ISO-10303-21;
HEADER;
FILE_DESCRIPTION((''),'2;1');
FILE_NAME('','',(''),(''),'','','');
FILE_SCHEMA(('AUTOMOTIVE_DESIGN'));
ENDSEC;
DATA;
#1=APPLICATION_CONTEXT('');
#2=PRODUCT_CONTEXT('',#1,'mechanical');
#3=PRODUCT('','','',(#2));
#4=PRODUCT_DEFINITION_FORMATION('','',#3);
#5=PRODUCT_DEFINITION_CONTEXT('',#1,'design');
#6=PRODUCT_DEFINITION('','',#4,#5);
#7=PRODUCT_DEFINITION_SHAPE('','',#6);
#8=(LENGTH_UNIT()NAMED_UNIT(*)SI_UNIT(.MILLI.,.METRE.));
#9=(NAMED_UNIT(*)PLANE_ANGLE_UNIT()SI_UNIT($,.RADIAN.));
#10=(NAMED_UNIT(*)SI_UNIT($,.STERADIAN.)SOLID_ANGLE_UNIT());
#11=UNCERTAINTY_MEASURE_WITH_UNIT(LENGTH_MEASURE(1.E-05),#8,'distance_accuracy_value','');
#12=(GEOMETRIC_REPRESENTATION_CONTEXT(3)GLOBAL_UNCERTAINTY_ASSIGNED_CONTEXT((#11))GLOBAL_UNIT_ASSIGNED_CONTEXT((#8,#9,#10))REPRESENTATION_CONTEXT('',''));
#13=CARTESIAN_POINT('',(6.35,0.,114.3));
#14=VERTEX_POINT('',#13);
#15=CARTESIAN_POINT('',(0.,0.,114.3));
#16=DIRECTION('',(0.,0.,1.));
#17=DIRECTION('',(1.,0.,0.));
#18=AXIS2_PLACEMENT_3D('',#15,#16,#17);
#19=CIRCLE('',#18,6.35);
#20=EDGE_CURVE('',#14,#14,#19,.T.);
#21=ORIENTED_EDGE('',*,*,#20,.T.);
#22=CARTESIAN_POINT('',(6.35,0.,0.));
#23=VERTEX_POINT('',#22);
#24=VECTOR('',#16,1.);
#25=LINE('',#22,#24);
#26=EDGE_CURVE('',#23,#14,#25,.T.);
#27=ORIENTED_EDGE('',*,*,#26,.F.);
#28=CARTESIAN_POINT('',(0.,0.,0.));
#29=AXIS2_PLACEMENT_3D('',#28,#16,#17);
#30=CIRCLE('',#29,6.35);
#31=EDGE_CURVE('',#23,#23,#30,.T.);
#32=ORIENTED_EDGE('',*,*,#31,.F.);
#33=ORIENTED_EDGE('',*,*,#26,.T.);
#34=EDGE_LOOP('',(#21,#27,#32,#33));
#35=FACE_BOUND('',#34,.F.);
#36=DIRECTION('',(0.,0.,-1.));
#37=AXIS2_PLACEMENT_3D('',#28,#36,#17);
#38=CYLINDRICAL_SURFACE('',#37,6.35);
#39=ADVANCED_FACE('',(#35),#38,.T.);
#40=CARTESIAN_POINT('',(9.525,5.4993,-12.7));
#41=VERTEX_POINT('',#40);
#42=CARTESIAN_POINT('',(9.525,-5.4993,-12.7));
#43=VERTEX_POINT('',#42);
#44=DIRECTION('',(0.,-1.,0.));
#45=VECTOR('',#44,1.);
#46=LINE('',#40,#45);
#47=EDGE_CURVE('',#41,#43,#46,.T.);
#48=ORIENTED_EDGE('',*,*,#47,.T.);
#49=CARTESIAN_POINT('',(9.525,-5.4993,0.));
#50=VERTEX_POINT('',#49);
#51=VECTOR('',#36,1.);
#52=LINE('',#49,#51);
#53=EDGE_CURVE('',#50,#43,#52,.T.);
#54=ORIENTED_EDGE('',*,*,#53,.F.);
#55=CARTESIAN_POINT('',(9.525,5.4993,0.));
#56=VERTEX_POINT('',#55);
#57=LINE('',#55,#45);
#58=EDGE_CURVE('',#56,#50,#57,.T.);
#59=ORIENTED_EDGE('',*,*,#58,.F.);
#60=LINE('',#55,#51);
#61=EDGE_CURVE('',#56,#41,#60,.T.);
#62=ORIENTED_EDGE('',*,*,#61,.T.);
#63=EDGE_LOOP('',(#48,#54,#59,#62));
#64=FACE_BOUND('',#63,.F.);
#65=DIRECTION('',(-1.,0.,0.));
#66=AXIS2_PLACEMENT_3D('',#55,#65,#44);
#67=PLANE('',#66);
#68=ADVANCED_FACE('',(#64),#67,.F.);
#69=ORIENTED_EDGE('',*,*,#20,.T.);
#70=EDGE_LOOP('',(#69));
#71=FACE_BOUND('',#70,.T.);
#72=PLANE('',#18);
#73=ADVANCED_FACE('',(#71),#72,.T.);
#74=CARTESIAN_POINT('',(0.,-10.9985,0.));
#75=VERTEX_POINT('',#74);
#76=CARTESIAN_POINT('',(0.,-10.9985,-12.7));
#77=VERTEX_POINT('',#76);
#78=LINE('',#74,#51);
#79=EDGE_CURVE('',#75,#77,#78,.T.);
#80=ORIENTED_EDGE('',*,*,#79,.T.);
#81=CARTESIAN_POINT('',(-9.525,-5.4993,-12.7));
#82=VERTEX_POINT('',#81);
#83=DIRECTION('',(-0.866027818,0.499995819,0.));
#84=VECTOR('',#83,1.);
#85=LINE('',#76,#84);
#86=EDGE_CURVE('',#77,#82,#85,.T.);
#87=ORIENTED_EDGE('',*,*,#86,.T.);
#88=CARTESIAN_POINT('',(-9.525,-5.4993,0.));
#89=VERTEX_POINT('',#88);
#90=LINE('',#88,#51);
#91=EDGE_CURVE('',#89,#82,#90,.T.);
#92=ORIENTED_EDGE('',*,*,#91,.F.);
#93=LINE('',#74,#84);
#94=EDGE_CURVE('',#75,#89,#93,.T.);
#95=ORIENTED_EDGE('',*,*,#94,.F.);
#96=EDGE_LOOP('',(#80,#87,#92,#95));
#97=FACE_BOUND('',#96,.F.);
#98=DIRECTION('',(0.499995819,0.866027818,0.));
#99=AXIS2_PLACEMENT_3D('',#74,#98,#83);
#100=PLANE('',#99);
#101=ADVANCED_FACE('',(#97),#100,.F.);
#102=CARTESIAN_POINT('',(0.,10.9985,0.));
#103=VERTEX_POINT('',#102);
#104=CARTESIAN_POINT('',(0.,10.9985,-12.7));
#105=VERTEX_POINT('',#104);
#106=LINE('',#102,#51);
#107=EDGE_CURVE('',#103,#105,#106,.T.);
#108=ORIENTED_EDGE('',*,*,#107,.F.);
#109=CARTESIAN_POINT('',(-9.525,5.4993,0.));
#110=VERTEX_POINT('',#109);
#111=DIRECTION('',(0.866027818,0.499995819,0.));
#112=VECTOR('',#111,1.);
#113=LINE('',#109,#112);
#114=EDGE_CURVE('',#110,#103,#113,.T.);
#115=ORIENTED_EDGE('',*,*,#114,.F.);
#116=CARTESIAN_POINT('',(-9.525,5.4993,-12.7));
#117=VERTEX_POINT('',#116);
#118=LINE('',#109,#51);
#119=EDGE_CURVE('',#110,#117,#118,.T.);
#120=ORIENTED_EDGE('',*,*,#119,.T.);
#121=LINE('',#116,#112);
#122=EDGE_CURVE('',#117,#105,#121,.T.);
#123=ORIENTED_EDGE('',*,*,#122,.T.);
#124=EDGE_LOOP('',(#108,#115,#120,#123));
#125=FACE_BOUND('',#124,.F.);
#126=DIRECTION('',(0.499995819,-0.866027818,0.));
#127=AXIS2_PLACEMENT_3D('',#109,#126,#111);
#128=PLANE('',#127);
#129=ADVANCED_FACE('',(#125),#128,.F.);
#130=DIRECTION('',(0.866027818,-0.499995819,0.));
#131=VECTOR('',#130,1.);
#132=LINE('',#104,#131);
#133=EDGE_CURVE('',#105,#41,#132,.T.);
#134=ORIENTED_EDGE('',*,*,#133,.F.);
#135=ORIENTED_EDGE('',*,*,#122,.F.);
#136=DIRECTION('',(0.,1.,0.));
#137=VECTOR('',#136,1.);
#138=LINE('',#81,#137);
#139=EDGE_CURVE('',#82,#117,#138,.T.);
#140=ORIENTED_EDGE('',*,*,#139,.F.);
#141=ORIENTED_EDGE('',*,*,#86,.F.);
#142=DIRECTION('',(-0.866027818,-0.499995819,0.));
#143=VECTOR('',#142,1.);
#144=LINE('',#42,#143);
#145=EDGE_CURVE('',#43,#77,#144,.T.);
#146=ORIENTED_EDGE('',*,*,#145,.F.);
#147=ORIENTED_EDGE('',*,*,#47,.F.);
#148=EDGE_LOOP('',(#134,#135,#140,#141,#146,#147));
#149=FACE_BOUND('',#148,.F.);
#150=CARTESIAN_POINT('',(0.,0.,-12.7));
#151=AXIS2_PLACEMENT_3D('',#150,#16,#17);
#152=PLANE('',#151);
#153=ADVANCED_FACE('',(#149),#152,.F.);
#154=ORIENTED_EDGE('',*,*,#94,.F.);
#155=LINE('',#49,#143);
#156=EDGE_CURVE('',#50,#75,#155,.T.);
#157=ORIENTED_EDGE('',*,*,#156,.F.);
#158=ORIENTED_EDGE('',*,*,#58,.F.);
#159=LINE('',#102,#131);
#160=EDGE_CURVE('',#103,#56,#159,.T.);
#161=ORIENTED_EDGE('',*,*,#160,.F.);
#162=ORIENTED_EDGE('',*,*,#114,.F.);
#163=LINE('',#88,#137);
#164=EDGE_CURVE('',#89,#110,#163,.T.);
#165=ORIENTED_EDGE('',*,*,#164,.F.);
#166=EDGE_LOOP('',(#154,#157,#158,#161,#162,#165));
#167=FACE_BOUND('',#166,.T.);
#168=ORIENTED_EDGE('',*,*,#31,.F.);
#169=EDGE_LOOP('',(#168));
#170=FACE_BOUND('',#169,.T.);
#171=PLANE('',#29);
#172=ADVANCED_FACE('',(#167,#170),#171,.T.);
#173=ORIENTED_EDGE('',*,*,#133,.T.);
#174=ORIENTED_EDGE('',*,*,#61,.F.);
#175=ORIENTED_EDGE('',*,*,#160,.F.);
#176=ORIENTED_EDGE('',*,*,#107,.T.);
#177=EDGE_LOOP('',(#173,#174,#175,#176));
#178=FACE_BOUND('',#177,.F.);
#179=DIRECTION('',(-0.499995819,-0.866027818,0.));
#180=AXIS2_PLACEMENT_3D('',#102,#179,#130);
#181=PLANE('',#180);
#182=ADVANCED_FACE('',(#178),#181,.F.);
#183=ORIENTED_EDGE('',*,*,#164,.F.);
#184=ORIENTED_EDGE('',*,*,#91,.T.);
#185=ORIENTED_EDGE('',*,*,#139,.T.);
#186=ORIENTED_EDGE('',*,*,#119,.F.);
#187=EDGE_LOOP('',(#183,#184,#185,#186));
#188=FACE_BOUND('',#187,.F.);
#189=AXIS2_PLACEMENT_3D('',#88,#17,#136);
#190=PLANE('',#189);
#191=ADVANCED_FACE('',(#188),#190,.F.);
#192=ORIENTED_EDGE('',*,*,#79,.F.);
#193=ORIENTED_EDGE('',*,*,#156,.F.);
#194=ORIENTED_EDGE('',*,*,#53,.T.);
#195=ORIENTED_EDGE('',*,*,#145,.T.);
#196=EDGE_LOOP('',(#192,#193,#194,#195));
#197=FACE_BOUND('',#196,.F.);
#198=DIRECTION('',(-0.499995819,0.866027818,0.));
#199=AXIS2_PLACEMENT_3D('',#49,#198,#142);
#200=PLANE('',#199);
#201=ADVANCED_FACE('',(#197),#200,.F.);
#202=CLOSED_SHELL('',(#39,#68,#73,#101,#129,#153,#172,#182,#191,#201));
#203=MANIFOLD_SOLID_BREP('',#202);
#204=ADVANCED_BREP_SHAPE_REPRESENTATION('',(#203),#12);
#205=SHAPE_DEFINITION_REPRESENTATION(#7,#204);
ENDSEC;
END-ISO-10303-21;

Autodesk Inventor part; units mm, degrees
ref_plane "YZ Plane" through (0, 0, 0) normal (1, 0, 0) x (0, 1, 0)
ref_plane "XZ Plane" through (0, 0, 0) normal (0, 1, 0) x (-1, 0, 0)
ref_plane "XY Plane" through (0, 0, 0) normal (0, 0, 1) x (1, 0, 0)
sketch "Sketch1" plane through (0, 0, 0) normal (0, 0, 1) x (1, 0, 0)
  circle A0 centre (0, 0) radius 6.35
  line L0 (0, 10.9985) -> (9.525, 5.4993)
  line L1 (9.525, 5.4993) -> (9.525, -5.4993)
  line L2 (9.525, -5.4993) -> (0, -10.9985)
  line L3 (0, -10.9985) -> (-9.525, -5.4993)
  line L4 (-9.525, -5.4993) -> (-9.525, 5.4993)
  line L5 (-9.525, 5.4993) -> (0, 10.9985)
  dimension "d1" = 19.05
extrude "Extrusion1" add sketch "Sketch1" against normal blind 12.7 contours A0 | L0 L1 L2 L3 L4 L5
sketch "Sketch2" plane through (0, 0, 0) normal (0, 0, 1) x (1, 0, 0)
  circle A0 centre (0, 0) radius 6.35
  dimension "d4" = 12.7
extrude "Extrusion2" add sketch "Sketch2" along normal blind 114.3
thread "Thread1" size "1/2-13 UNC" class "2A" standard "ANSI Unified Screw Threads" full length
properties part number "4.5 in bolt"
